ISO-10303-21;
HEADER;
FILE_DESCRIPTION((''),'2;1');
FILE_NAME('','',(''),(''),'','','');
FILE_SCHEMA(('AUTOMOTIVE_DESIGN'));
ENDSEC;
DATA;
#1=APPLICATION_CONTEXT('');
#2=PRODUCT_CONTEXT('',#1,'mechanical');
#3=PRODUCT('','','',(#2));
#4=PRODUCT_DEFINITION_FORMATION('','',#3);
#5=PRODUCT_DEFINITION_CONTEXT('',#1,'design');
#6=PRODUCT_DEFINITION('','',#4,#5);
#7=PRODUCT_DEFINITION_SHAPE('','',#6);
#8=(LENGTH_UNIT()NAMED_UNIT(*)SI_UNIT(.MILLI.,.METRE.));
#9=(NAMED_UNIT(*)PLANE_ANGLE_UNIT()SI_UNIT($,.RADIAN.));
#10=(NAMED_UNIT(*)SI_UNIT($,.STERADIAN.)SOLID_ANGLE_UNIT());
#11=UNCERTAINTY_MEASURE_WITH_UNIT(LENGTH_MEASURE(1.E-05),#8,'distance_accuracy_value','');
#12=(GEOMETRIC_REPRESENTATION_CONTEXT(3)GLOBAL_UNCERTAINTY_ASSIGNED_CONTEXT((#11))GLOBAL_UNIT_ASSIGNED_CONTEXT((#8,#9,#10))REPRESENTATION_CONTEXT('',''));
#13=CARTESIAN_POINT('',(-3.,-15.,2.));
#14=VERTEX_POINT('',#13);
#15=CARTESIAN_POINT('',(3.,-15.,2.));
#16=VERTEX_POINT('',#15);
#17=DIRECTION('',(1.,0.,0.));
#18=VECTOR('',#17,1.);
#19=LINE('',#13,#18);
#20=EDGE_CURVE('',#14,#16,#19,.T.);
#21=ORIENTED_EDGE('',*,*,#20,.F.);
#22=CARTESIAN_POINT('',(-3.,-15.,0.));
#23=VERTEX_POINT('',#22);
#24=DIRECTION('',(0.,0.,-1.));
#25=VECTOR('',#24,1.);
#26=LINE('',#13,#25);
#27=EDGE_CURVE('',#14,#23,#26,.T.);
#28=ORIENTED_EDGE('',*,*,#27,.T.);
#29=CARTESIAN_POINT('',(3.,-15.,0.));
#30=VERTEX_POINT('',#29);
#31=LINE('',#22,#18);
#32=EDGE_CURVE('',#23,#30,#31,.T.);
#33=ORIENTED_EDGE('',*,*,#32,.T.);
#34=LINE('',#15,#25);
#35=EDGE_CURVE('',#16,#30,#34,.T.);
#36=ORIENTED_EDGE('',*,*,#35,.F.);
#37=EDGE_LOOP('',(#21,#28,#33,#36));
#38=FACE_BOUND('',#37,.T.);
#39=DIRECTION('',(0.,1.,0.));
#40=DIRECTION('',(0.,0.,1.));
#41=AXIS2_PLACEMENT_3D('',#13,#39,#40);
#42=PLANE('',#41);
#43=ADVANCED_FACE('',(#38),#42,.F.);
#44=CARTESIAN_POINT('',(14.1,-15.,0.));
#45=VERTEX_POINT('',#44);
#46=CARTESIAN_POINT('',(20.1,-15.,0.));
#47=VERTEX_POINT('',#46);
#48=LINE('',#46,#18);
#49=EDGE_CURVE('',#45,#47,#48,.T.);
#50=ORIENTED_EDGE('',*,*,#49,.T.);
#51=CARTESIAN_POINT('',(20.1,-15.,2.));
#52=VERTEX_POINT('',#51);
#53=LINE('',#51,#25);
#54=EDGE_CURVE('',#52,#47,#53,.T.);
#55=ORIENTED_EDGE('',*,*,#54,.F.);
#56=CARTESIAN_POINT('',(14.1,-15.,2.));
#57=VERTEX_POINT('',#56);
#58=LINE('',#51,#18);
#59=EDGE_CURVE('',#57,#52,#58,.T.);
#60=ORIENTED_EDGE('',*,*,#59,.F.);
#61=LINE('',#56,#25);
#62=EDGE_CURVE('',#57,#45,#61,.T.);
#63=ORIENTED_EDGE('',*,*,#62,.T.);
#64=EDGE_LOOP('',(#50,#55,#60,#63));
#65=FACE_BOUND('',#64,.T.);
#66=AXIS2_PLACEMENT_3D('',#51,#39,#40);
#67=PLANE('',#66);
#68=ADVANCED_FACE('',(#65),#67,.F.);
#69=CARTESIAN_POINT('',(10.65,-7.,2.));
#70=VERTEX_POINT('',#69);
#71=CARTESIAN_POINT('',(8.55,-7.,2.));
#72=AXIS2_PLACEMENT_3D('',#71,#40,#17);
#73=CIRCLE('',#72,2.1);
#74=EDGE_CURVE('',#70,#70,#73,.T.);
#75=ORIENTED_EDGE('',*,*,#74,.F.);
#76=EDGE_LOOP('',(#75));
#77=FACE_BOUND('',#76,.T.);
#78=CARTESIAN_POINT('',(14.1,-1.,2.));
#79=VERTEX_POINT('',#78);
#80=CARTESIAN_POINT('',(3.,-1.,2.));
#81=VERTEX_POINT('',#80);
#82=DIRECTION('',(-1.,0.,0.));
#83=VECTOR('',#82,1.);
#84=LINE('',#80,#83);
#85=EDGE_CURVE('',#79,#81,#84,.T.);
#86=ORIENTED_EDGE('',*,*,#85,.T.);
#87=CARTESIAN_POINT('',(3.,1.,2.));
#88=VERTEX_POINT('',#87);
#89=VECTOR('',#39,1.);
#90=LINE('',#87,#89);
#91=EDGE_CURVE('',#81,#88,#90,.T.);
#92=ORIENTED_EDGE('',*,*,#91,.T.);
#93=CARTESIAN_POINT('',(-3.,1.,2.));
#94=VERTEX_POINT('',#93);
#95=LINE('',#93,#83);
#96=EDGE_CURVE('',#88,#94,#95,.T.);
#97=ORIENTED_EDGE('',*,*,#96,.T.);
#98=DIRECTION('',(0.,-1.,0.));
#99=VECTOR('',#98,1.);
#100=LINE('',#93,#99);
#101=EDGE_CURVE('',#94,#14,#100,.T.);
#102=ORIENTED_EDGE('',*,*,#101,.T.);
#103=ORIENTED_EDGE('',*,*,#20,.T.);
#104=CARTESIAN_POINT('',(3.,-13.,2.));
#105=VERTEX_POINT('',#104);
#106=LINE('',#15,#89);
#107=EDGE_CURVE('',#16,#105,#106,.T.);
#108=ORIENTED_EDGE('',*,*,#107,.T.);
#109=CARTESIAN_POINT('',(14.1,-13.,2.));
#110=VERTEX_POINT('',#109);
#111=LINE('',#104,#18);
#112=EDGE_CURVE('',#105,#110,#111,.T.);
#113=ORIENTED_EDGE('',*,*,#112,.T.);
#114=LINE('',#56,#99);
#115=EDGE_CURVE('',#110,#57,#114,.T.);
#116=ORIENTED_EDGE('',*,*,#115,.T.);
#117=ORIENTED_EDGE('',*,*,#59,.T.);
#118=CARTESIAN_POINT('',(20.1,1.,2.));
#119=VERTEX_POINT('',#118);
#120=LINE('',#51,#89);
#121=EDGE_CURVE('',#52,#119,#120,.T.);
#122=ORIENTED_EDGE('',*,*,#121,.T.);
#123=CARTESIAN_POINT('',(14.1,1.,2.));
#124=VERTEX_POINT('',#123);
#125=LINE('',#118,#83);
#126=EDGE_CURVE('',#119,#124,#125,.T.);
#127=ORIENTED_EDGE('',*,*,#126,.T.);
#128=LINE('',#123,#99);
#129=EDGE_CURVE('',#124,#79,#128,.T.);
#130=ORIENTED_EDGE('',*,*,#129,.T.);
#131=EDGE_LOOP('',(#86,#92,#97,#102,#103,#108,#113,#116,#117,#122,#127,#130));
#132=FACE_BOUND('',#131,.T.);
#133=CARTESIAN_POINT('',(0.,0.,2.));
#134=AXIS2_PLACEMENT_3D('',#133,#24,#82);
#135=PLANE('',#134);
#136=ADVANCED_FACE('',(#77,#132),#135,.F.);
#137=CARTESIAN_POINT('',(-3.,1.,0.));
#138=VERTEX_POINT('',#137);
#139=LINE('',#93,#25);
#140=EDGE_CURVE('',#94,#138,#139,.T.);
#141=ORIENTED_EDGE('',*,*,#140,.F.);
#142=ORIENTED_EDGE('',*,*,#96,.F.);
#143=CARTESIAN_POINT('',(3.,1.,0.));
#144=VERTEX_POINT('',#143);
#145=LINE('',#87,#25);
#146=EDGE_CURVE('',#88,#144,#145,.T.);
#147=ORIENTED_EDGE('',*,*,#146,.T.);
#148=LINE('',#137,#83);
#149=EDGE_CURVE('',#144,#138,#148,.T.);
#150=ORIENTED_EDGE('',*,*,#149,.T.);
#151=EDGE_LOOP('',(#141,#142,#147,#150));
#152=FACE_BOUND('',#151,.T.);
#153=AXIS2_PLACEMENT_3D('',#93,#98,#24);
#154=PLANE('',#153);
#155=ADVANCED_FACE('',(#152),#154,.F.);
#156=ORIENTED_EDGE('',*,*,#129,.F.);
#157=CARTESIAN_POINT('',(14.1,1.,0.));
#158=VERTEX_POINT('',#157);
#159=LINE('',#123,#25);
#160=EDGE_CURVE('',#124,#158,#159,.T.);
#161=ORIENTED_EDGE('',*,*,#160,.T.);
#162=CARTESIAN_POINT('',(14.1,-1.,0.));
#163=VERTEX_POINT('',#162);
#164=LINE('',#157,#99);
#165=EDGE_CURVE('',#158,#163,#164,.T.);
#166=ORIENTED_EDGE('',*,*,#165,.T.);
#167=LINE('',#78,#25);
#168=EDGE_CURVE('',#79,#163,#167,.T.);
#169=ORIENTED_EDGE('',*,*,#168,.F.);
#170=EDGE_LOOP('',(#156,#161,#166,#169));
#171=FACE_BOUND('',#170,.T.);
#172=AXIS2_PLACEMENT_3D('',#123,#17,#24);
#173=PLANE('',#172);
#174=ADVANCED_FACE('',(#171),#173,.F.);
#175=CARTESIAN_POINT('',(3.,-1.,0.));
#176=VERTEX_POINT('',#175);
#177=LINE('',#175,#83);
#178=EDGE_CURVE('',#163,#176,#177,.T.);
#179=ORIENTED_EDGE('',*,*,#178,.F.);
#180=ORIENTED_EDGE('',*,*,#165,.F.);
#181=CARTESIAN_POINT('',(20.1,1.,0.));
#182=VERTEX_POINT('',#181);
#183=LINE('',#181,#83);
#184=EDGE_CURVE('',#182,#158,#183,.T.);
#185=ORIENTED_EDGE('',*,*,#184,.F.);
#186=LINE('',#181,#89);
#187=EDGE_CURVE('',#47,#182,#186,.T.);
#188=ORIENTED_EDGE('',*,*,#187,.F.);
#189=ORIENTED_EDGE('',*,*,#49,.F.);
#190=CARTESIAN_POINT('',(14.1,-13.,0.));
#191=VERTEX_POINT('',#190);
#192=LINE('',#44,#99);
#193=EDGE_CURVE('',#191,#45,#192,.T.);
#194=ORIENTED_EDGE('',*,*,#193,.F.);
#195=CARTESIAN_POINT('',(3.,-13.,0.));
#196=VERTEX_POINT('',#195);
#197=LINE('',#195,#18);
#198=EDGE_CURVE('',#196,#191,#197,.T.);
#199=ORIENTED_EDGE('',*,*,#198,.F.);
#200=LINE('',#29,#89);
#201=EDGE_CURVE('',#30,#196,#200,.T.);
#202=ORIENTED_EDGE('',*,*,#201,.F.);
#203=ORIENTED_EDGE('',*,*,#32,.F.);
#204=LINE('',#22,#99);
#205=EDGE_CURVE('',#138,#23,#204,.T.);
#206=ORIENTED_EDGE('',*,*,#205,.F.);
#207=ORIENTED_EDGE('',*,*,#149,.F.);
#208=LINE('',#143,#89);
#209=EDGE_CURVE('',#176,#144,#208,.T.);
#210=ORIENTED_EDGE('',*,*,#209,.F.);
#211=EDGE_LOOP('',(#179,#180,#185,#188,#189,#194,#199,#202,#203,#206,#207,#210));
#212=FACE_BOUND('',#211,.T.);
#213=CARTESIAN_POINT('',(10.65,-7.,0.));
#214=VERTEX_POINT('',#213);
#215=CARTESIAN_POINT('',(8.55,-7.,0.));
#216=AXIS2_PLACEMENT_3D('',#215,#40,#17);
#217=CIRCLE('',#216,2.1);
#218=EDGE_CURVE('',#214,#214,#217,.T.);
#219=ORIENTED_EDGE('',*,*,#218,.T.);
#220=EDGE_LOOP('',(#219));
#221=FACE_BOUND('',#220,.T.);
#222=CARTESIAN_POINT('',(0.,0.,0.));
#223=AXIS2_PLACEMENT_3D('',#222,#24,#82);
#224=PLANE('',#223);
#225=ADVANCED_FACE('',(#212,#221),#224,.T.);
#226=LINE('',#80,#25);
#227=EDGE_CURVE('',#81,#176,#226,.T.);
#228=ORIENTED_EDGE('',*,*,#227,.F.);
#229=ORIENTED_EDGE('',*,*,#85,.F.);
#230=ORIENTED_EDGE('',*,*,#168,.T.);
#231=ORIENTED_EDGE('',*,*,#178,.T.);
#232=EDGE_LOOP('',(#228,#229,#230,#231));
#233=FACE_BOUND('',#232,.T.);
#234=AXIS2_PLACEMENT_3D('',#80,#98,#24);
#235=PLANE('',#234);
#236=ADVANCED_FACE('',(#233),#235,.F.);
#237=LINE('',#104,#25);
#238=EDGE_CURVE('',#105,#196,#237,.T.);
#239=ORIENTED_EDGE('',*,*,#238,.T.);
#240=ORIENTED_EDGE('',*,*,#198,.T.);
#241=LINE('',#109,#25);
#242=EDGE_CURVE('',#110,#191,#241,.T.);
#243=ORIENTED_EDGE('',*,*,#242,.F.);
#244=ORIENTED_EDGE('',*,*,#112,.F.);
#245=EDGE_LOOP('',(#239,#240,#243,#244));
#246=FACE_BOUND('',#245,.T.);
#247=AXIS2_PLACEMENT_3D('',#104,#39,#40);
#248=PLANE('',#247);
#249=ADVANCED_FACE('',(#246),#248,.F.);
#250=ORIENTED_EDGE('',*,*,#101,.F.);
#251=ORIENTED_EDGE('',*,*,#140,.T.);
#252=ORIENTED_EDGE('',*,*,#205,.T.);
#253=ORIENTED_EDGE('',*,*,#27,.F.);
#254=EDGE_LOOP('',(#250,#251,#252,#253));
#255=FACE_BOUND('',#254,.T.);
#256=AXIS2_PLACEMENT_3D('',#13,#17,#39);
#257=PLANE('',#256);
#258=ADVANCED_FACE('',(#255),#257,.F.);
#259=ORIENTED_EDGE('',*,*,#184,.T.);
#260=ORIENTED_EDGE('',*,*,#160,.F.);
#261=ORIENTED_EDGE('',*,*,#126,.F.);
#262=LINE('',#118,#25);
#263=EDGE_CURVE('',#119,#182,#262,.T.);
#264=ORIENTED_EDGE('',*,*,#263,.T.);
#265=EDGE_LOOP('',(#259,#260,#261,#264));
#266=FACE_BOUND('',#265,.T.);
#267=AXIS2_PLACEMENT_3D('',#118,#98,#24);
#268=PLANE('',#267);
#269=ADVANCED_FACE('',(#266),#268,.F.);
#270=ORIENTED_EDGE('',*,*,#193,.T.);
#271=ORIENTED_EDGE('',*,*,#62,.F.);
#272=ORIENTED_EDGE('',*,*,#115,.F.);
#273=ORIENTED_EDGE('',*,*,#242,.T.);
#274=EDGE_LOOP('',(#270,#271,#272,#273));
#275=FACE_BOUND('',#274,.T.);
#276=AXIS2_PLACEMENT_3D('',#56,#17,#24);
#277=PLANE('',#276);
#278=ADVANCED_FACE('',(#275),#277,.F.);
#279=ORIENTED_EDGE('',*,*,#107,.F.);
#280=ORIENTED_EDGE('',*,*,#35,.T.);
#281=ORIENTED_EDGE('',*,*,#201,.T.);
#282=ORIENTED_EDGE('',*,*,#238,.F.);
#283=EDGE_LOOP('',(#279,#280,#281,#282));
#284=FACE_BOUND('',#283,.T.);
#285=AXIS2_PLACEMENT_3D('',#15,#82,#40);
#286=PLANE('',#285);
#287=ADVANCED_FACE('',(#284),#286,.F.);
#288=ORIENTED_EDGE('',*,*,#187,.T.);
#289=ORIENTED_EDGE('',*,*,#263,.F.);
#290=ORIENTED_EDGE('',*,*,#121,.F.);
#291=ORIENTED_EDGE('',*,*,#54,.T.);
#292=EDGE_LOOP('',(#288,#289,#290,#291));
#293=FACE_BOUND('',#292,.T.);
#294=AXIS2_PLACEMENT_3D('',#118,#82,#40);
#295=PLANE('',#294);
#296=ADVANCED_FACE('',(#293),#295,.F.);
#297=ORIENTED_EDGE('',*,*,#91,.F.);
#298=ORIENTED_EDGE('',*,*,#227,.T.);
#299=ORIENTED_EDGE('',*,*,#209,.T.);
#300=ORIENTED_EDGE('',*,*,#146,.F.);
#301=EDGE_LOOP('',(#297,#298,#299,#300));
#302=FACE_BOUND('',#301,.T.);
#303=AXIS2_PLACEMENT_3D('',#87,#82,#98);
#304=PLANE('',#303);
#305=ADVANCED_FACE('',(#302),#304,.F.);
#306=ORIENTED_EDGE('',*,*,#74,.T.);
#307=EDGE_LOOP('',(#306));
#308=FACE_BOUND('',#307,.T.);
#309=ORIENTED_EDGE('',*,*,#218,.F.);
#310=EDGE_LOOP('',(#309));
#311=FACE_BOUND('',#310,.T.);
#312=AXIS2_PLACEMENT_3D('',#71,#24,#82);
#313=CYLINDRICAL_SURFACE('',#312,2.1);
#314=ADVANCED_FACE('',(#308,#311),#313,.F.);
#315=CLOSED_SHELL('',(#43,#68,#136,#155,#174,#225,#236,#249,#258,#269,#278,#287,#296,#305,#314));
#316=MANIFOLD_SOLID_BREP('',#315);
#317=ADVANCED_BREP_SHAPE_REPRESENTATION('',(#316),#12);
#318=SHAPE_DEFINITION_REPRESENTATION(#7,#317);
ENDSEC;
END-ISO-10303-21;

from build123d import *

# Parameters (mm, degrees)
SKETCH_1_R      = 2.1
EXTRUDE_1_DEPTH = 2


with BuildPart() as part:
    # 草图1 → 凸台-拉伸1 (new body)
    with BuildSketch(Plane.XY):
        Polygon((-3, 1), (3, 1), (3, -1), (14.1, -1), (14.1, 1), (20.1, 1), (20.1, -1), (20.1, -13), (20.1, -15), (14.1, -15), (14.1, -13), (3, -13), (3, -15), (-3, -15), (-3, -13), (-3, -1), align=None)
        with Locations((8.55, -7)):
            Circle(SKETCH_1_R, mode=Mode.SUBTRACT)
    extrude(amount=EXTRUDE_1_DEPTH)


solid = part.part
